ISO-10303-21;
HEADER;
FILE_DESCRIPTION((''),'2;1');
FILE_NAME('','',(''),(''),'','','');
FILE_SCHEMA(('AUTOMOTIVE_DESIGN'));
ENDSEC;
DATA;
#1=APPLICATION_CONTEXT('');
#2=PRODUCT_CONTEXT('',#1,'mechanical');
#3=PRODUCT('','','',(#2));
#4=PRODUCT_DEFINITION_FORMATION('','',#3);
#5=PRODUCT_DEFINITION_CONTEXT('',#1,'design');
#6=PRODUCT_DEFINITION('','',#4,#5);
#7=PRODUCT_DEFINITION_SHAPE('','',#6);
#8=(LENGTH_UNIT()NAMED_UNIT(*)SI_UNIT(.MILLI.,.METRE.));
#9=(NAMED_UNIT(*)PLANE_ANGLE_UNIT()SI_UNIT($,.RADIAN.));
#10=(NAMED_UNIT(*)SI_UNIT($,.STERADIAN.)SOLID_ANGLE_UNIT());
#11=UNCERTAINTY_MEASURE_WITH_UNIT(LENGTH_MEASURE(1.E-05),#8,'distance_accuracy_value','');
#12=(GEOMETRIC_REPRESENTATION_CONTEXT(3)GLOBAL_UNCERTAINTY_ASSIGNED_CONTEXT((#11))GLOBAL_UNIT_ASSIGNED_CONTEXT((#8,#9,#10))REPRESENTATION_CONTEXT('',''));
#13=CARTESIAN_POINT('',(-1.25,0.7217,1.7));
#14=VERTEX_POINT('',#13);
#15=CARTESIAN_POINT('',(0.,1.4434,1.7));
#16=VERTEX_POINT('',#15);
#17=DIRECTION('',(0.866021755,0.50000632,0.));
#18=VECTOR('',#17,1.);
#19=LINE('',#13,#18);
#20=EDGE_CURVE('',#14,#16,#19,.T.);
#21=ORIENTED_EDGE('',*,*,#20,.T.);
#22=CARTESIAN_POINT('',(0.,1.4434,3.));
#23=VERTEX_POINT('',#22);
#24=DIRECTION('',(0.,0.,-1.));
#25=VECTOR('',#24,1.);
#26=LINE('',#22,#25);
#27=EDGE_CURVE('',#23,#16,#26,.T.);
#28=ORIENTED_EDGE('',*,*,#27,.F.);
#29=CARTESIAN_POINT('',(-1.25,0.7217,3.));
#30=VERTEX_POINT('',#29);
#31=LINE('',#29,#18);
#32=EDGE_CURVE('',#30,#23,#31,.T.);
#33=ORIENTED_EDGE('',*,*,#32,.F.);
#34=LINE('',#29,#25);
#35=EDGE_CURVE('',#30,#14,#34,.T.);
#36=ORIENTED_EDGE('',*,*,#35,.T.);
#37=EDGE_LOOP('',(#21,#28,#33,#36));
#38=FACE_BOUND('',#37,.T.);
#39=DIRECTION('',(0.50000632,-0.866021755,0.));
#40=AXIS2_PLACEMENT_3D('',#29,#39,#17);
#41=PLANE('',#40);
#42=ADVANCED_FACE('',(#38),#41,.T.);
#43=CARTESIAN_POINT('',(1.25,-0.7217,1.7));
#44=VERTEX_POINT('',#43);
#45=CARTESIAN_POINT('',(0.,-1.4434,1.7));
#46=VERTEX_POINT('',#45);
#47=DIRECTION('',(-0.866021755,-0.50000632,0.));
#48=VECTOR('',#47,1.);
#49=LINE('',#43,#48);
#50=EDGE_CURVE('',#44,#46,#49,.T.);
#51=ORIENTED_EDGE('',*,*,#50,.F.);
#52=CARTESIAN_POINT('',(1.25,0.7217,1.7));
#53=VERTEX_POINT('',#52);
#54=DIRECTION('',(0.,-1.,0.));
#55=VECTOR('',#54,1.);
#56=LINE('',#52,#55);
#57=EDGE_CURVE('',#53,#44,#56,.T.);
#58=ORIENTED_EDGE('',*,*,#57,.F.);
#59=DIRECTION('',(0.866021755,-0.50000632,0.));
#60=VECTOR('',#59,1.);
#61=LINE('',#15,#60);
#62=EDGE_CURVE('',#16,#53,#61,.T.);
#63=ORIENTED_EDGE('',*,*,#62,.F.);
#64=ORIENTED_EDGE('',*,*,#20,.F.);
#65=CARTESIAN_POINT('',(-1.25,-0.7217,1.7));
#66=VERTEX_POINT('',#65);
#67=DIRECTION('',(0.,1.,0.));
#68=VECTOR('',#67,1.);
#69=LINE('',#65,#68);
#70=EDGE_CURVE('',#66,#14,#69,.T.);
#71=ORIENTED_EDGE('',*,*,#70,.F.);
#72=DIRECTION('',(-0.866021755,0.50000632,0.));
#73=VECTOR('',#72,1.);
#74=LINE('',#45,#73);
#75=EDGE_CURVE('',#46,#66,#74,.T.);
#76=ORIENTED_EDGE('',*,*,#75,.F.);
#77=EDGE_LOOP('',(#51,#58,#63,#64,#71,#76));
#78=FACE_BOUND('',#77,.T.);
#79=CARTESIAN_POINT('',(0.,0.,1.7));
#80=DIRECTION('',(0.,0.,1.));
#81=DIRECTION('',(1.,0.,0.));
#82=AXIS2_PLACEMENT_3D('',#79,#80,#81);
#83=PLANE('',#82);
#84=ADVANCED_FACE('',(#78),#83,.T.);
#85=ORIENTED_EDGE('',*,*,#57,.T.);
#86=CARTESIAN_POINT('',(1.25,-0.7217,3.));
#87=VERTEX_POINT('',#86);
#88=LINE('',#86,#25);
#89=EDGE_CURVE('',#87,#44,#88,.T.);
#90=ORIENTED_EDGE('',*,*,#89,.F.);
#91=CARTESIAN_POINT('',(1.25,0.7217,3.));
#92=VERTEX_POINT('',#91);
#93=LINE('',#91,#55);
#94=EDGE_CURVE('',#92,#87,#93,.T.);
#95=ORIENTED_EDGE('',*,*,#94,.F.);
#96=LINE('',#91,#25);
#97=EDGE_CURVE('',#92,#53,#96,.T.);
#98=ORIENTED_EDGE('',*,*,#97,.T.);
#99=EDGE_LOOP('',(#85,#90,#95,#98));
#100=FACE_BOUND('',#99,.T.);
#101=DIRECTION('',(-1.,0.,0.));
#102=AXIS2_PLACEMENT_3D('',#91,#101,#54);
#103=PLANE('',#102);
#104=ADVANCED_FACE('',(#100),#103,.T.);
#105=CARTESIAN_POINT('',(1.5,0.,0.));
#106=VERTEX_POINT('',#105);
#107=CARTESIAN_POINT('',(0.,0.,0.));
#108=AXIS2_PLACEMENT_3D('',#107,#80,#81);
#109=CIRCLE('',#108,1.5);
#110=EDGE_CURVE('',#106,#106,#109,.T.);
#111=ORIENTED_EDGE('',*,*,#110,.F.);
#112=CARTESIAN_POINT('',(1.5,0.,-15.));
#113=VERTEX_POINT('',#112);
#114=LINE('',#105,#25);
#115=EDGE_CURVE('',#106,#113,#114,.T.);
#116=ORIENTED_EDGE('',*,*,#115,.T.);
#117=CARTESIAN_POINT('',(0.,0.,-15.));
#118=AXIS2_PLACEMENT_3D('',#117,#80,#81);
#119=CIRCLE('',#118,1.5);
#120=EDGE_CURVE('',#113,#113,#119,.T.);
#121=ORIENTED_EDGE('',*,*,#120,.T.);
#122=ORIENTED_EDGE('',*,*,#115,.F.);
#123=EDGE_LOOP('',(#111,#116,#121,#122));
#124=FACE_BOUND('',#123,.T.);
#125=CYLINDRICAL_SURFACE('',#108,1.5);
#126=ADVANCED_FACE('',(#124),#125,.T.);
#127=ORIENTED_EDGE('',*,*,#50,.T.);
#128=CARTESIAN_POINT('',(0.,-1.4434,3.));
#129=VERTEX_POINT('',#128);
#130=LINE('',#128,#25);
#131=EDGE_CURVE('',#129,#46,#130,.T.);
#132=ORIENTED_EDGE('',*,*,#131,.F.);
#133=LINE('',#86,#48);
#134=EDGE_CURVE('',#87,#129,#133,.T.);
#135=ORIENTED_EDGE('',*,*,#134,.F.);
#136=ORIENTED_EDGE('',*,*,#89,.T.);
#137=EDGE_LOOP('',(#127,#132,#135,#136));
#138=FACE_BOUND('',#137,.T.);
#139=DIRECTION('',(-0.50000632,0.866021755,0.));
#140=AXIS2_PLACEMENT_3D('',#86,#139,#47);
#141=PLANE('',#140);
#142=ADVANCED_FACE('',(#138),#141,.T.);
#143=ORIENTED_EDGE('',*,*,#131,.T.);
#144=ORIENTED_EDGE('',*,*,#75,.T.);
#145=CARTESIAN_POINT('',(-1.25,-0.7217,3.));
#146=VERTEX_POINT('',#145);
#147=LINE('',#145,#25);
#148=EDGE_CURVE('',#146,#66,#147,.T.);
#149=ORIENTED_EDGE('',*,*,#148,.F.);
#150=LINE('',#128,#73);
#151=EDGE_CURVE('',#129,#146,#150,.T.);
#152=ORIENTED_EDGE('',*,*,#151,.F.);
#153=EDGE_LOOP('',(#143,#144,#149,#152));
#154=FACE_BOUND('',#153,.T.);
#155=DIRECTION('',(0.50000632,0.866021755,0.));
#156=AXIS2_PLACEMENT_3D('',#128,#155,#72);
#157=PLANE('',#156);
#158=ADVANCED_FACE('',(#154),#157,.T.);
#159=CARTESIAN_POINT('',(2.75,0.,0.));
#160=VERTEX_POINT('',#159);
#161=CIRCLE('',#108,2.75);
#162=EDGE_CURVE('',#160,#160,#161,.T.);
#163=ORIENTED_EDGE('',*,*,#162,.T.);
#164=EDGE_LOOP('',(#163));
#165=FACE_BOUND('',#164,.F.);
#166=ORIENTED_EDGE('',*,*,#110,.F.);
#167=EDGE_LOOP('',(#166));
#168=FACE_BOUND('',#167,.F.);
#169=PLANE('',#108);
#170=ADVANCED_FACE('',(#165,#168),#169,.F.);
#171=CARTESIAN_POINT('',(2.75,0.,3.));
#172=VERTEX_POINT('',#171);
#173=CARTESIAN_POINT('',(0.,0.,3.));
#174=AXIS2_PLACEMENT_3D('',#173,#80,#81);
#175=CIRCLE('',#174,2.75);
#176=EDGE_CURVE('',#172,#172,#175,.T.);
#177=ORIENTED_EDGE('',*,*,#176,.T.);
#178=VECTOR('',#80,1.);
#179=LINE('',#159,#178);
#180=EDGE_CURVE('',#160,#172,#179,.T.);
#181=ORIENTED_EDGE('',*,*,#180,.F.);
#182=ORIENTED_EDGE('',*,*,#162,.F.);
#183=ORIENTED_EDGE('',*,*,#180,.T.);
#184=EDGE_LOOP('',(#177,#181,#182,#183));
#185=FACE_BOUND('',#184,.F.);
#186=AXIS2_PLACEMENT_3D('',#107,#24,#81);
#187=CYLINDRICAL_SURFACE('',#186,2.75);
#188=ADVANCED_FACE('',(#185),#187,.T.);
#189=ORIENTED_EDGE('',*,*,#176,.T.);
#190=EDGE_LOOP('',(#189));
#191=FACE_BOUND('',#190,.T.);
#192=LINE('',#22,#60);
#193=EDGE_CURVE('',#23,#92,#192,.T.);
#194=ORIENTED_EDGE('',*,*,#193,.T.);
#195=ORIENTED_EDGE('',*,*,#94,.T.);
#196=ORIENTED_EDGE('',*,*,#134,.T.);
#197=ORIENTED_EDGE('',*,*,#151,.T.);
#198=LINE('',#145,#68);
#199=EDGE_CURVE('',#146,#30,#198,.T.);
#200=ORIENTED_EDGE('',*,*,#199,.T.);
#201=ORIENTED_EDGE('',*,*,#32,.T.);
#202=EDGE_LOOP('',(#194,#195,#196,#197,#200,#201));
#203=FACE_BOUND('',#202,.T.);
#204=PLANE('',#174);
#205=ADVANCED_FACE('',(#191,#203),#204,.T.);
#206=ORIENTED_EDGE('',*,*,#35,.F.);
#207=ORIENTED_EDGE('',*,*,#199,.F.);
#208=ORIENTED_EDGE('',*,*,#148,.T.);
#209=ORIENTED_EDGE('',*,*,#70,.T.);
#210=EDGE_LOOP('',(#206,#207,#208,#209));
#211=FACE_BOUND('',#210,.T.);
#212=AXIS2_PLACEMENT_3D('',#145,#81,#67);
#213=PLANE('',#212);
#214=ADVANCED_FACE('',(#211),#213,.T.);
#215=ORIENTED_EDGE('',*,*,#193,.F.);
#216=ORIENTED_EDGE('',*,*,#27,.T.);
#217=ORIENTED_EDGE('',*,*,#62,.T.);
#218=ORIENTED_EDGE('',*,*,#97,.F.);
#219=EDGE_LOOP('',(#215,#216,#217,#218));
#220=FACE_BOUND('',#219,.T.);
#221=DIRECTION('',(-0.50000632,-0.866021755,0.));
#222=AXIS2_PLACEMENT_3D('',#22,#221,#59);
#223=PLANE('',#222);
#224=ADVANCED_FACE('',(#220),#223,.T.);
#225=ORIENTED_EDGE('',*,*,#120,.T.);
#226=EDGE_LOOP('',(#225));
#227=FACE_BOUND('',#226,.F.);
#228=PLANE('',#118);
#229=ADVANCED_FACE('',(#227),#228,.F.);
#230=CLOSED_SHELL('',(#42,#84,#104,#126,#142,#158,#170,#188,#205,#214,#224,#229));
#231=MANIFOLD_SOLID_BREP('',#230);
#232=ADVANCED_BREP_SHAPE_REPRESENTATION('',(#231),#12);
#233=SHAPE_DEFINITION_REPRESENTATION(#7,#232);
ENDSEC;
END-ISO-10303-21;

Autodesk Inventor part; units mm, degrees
ref_plane "YZ Plane" through (0, 0, 0) normal (1, 0, 0) x (0, 1, 0)
ref_plane "XZ Plane" through (0, 0, 0) normal (0, 1, 0) x (-1, 0, 0)
ref_plane "XY Plane" through (0, 0, 0) normal (0, 0, 1) x (1, 0, 0)
sketch "スケッチ1" plane through (0, 0, 0) normal (0, 0, 1) x (1, 0, 0)
  circle A0 centre (0, 0) radius 1.5
  dimension "d0" = 3
extrude "押し出し1" add sketch "スケッチ1" against normal blind 15
sketch "スケッチ2" plane through (0, 0, 0) normal (0, 0, 1) x (1, 0, 0)
  circle A0 centre (0, 0) radius 2.75
  dimension "d3" = 5.5
extrude "押し出し2" add sketch "スケッチ2" along normal blind 3
sketch "スケッチ3" plane through (0, 0, 3) normal (0, 0, 1) x (1, 0, 0)
  line L0 (0, 1.4434) -> (1.25, 0.7217)
  line L1 (1.25, 0.7217) -> (1.25, -0.7217)
  line L2 (1.25, -0.7217) -> (0, -1.4434)
  line L3 (0, -1.4434) -> (-1.25, -0.7217)
  line L4 (-1.25, -0.7217) -> (-1.25, 0.7217)
  line L5 (-1.25, 0.7217) -> (0, 1.4434)
  point P0 (0, 0)
  point P1 (0, 0)
  dimension "d6" = 2.5
extrude "押し出し3" cut sketch "スケッチ3" against normal blind 1.3
thread "ねじ1" size "M3x0.5" class "6g" standard "ANSI Metric M Profile" full length
properties part number "M3キャップボルト 15" material "鋼、高強度、低合金"
